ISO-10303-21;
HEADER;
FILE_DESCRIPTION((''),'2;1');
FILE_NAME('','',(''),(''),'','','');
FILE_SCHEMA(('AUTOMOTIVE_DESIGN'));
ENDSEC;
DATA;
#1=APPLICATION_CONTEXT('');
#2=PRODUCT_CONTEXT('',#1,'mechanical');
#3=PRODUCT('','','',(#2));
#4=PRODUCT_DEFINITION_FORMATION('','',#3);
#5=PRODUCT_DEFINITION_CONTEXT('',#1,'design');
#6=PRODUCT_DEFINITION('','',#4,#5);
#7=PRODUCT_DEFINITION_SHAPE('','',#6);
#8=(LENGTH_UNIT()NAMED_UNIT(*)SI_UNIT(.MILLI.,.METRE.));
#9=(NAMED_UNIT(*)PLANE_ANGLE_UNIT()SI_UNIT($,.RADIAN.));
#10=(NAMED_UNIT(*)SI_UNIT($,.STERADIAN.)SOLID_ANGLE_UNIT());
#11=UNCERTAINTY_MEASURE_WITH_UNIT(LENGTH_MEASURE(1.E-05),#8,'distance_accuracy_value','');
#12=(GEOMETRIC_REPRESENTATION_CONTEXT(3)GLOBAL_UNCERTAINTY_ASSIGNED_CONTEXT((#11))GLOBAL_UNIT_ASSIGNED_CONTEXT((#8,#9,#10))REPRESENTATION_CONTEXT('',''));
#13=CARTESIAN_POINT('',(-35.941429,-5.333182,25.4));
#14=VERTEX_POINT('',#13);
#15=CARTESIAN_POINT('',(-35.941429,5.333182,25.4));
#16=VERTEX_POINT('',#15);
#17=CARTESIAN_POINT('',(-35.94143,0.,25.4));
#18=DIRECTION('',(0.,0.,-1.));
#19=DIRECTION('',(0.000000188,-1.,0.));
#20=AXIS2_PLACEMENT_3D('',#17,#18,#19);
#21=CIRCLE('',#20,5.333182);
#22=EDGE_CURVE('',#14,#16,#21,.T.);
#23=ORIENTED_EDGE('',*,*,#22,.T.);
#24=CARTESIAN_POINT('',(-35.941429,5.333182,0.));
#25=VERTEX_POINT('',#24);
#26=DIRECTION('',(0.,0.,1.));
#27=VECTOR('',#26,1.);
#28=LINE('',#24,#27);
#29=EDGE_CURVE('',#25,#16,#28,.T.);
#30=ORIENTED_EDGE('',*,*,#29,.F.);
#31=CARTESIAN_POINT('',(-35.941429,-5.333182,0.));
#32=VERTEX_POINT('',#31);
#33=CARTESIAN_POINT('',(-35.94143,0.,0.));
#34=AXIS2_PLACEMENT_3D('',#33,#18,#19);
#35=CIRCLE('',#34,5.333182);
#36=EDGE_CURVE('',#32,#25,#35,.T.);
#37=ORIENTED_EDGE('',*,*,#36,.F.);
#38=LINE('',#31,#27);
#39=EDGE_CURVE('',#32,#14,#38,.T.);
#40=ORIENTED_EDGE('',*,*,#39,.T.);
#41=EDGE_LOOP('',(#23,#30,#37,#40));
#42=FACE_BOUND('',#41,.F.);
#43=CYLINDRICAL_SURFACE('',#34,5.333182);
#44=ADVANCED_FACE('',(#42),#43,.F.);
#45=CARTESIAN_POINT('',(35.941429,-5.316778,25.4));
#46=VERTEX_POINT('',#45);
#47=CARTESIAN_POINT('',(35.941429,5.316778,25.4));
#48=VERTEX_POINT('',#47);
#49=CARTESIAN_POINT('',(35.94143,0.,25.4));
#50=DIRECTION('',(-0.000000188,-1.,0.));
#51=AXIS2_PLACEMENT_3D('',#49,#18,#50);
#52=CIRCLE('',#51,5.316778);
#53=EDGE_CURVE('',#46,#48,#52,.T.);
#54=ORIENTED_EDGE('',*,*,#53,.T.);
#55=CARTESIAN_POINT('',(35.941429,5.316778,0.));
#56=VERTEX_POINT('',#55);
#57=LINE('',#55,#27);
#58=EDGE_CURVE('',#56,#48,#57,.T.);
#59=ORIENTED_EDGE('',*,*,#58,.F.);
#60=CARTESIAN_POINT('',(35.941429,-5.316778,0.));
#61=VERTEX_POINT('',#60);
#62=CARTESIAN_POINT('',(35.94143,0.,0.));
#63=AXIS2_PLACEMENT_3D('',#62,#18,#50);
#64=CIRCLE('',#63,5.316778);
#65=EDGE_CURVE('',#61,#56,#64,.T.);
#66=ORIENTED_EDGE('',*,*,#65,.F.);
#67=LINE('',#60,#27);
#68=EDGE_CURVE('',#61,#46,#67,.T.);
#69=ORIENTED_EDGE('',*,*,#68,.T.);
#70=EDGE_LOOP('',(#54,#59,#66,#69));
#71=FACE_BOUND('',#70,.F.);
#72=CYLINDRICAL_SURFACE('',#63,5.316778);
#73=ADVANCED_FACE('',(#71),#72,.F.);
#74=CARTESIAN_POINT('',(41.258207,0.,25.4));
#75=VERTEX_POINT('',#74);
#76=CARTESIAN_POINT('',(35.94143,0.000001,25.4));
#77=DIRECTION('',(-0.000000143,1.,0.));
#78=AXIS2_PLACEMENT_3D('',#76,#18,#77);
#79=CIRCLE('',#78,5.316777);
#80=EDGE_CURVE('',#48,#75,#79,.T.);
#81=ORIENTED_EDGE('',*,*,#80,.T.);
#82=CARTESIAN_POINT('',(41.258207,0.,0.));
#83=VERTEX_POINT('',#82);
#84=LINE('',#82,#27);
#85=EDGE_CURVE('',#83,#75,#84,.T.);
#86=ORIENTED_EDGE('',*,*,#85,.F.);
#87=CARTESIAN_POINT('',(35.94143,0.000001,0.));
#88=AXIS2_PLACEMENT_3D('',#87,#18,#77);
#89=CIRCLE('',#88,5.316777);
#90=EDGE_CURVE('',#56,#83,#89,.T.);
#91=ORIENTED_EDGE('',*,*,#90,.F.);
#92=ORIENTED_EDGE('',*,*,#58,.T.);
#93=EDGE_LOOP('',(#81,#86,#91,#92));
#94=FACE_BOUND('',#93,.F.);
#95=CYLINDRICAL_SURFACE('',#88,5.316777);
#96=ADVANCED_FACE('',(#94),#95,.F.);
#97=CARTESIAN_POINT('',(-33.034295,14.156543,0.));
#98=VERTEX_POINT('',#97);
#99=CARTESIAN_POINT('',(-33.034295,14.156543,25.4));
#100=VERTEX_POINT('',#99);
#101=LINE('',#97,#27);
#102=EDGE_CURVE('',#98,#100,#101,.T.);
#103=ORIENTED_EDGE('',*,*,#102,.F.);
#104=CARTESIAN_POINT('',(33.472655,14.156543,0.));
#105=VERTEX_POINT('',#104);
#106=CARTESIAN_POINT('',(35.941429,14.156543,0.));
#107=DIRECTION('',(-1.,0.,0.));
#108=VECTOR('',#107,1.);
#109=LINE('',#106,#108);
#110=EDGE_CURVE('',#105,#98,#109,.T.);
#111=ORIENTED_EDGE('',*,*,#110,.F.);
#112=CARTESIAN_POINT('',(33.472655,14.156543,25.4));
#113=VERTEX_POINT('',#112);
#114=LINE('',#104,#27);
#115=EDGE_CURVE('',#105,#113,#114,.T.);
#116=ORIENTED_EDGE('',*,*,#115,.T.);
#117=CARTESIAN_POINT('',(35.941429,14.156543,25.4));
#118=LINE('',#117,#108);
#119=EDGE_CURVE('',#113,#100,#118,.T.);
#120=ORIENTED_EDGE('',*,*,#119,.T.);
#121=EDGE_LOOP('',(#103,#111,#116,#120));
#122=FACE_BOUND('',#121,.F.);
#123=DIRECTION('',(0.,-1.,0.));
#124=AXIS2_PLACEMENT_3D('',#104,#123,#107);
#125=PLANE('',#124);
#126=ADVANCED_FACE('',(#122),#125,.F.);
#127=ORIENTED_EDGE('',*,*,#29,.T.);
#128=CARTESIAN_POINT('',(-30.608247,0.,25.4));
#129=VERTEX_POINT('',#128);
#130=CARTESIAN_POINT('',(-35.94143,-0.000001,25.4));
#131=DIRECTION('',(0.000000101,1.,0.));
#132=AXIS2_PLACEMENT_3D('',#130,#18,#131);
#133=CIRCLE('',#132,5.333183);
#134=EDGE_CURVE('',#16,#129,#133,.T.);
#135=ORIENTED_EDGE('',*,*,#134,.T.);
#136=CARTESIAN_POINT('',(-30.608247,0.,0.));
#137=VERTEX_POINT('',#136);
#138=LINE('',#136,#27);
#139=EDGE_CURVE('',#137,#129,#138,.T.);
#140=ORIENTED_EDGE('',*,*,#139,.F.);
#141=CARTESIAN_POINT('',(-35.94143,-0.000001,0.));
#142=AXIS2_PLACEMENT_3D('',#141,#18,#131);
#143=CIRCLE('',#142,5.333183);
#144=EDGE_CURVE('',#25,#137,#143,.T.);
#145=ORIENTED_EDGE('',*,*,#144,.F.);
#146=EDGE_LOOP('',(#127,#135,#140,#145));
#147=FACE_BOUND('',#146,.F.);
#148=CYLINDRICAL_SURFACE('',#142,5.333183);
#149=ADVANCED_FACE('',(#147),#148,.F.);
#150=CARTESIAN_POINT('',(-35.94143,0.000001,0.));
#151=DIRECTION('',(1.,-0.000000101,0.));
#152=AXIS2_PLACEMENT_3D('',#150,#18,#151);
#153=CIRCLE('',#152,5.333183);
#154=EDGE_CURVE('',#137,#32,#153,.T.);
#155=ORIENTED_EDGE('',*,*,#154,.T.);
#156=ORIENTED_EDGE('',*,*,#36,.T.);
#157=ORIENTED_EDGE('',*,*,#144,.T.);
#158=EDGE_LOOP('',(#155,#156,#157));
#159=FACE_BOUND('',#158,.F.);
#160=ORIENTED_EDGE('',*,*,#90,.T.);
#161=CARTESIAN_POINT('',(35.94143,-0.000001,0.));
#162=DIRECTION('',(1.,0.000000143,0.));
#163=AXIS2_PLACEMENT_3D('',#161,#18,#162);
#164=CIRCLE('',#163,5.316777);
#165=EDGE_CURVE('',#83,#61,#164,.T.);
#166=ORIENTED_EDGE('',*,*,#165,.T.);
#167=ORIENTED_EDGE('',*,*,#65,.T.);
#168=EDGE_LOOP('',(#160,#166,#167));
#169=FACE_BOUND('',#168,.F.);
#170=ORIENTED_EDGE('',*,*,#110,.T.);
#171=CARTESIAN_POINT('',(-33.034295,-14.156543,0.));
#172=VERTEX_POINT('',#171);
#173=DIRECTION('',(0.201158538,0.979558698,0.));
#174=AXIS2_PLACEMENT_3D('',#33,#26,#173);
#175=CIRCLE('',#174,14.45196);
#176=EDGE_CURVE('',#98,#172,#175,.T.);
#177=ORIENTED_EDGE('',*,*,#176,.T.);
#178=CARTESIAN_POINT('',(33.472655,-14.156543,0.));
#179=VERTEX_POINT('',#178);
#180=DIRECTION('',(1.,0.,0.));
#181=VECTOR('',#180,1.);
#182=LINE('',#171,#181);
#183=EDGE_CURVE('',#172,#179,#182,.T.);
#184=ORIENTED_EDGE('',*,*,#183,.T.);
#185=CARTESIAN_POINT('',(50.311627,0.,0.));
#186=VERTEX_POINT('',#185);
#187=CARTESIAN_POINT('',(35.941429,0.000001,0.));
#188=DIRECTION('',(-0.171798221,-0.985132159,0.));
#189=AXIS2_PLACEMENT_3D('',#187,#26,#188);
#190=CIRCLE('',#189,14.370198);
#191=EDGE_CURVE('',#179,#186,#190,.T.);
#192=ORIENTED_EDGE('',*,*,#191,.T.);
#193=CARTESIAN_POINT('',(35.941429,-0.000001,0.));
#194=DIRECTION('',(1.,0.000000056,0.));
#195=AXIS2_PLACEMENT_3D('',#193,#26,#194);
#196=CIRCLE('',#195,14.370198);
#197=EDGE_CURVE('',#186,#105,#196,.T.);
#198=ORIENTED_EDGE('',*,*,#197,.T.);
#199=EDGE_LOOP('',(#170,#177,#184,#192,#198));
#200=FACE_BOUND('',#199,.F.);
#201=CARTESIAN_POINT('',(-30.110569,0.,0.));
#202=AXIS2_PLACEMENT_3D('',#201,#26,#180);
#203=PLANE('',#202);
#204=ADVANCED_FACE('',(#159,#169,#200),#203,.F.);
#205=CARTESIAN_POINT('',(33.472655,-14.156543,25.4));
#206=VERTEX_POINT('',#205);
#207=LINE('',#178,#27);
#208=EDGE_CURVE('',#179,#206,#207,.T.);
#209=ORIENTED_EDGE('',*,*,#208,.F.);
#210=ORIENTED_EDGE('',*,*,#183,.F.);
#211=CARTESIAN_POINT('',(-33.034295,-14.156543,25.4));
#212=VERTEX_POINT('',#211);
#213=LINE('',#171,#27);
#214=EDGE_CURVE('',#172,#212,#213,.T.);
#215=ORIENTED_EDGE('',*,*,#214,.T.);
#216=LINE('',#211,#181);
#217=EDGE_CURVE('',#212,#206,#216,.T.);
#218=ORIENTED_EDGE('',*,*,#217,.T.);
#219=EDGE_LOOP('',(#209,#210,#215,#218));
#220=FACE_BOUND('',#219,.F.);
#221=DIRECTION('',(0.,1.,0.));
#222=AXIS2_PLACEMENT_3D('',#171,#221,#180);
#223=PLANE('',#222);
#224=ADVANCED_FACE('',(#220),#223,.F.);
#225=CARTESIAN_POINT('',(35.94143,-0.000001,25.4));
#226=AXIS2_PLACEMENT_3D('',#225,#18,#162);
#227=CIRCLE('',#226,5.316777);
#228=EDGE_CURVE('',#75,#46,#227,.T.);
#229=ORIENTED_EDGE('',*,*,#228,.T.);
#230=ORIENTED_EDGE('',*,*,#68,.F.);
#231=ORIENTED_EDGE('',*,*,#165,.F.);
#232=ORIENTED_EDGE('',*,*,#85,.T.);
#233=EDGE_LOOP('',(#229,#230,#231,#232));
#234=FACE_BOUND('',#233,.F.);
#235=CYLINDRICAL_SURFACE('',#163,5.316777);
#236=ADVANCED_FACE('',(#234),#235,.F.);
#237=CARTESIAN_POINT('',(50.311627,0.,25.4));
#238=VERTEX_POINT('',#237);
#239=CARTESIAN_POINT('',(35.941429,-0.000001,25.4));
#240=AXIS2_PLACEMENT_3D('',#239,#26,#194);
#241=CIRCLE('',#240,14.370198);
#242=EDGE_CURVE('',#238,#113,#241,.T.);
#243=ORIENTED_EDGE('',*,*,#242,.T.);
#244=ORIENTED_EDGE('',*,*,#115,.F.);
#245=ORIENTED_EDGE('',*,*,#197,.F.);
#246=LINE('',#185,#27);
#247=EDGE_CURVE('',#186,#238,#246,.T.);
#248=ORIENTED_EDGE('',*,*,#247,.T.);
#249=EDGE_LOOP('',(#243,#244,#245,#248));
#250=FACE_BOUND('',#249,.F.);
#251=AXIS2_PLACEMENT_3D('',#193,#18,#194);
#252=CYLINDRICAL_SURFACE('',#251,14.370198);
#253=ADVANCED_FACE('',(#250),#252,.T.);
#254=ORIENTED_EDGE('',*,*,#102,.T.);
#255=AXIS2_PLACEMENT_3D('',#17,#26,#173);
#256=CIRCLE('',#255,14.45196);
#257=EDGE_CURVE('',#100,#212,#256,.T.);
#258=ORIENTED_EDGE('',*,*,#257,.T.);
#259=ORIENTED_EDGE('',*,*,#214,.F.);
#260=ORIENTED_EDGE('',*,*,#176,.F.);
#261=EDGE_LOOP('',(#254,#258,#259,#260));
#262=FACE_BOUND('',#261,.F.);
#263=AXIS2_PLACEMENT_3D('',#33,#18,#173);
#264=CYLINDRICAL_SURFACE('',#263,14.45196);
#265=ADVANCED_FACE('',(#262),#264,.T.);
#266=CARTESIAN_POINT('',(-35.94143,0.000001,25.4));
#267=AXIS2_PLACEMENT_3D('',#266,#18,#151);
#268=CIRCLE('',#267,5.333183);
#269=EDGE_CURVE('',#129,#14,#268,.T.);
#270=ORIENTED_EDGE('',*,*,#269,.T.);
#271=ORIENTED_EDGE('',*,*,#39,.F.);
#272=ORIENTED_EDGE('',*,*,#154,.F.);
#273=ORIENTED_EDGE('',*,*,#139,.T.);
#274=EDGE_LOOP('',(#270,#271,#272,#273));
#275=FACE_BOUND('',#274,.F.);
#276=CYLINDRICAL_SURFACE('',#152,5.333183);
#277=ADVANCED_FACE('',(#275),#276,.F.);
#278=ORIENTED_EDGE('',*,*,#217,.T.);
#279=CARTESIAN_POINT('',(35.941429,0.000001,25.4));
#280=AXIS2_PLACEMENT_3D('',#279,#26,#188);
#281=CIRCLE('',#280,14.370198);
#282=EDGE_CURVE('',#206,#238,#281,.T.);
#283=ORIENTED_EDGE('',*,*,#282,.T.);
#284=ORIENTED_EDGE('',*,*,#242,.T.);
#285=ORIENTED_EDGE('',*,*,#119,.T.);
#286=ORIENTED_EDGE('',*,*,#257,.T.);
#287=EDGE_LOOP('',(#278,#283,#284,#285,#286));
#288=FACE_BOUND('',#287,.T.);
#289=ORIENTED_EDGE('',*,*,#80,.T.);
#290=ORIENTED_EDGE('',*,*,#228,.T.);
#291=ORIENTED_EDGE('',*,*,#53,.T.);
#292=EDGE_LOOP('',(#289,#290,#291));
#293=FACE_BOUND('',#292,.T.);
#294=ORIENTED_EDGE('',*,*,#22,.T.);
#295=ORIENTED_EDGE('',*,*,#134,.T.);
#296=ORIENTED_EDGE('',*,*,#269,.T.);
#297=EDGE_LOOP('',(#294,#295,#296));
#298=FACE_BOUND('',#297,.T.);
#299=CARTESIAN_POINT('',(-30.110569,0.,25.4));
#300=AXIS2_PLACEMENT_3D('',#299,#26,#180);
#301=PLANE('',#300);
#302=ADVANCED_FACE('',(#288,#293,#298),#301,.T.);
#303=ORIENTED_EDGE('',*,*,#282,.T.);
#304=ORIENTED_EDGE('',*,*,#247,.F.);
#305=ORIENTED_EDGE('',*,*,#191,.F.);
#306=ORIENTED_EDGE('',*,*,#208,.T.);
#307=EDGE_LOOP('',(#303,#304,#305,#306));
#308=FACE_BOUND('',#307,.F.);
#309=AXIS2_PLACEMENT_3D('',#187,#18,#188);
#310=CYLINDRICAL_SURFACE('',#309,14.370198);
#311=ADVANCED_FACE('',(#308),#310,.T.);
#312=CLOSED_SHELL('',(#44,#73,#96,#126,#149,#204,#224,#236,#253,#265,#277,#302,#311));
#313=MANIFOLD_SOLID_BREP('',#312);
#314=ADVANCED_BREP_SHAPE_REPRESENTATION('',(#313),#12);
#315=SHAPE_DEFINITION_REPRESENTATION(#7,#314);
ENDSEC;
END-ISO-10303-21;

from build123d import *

# Parameters (mm, degrees)
F0_W     = 37.843548
F0_H     = 12.723478
F1_DEPTH = 25.4


with BuildPart() as f1:
    # F0 (on Top) → F1 (new body)
    with BuildSketch(Plane.XY):
        with BuildLine():
            Line((-35.941429, -14.156543), (-33.034295, -14.156543))
            ThreePointArc((-33.034295, -14.156543), (-24.741587, -9.133602), (-21.489469, 0))
            ThreePointArc((-21.489469, 0), (-24.741587, 9.133602), (-33.034295, 14.156543))
            Line((-33.034295, 14.156543), (-35.941429, 14.156543))
            Line((-35.941429, 14.156543), (-35.941429, 5.333182))
            ThreePointArc((-35.941429, 5.333182), (-32.1703, 3.771129), (-30.608247, 0))
            ThreePointArc((-30.608247, 0), (-32.1703, -3.771129), (-35.941429, -5.333182))
            Line((-35.941429, -5.333182), (-35.941429, -14.156543))
        make_face()
        with BuildLine():
            ThreePointArc((-33.034295, 14.156543), (-50.39339, 0), (-33.034295, -14.156543))
            Line((-33.034295, -14.156543), (-35.941429, -14.156543))
            Line((-35.941429, -14.156543), (-35.941429, -5.333182))
            ThreePointArc((-35.941429, -5.333182), (-41.274612, 0), (-35.941429, 5.333182))
            Line((-35.941429, 5.333182), (-35.941429, 14.156543))
            Line((-35.941429, 14.156543), (-33.034295, 14.156543))
        make_face()
        with BuildLine():
            Line((-33.034295, -14.156543), (33.472655, -14.156543))
            ThreePointArc((33.472655, -14.156543), (21.571232, 0), (33.472655, 14.156543))
            Line((33.472655, 14.156543), (-33.034295, 14.156543))
            ThreePointArc((-33.034295, 14.156543), (-24.741587, 9.133602), (-21.489469, 0))
            ThreePointArc((-21.489469, 0), (-24.741587, -9.133602), (-33.034295, -14.156543))
        make_face()
        Rectangle(F0_W, F0_H, mode=Mode.SUBTRACT)
        Rectangle(F0_W, F0_H)
        with BuildLine():
            Line((33.472655, -14.156543), (35.941429, -14.156543))
            Line((35.941429, -14.156543), (35.941429, -5.316778))
            ThreePointArc((35.941429, -5.316778), (30.624652, 0), (35.941429, 5.316778))
            Line((35.941429, 5.316778), (35.941429, 14.156543))
            Line((35.941429, 14.156543), (33.472655, 14.156543))
            ThreePointArc((33.472655, 14.156543), (21.571232, 0), (33.472655, -14.156543))
        make_face()
        with BuildLine():
            Line((35.941429, -5.316778), (35.941429, -14.156543))
            Line((35.941429, -14.156543), (33.472655, -14.156543))
            ThreePointArc((33.472655, -14.156543), (45.188748, -10.99953), (50.311627, 0))
            ThreePointArc((50.311627, 0), (45.188748, 10.99953), (33.472655, 14.156543))
            Line((33.472655, 14.156543), (35.941429, 14.156543))
            Line((35.941429, 14.156543), (35.941429, 5.316778))
            ThreePointArc((35.941429, 5.316778), (39.700959, 3.75953), (41.258207, 0))
            ThreePointArc((41.258207, 0), (39.700959, -3.75953), (35.941429, -5.316778))
        make_face()
    extrude(amount=F1_DEPTH)


solid = f1.part
